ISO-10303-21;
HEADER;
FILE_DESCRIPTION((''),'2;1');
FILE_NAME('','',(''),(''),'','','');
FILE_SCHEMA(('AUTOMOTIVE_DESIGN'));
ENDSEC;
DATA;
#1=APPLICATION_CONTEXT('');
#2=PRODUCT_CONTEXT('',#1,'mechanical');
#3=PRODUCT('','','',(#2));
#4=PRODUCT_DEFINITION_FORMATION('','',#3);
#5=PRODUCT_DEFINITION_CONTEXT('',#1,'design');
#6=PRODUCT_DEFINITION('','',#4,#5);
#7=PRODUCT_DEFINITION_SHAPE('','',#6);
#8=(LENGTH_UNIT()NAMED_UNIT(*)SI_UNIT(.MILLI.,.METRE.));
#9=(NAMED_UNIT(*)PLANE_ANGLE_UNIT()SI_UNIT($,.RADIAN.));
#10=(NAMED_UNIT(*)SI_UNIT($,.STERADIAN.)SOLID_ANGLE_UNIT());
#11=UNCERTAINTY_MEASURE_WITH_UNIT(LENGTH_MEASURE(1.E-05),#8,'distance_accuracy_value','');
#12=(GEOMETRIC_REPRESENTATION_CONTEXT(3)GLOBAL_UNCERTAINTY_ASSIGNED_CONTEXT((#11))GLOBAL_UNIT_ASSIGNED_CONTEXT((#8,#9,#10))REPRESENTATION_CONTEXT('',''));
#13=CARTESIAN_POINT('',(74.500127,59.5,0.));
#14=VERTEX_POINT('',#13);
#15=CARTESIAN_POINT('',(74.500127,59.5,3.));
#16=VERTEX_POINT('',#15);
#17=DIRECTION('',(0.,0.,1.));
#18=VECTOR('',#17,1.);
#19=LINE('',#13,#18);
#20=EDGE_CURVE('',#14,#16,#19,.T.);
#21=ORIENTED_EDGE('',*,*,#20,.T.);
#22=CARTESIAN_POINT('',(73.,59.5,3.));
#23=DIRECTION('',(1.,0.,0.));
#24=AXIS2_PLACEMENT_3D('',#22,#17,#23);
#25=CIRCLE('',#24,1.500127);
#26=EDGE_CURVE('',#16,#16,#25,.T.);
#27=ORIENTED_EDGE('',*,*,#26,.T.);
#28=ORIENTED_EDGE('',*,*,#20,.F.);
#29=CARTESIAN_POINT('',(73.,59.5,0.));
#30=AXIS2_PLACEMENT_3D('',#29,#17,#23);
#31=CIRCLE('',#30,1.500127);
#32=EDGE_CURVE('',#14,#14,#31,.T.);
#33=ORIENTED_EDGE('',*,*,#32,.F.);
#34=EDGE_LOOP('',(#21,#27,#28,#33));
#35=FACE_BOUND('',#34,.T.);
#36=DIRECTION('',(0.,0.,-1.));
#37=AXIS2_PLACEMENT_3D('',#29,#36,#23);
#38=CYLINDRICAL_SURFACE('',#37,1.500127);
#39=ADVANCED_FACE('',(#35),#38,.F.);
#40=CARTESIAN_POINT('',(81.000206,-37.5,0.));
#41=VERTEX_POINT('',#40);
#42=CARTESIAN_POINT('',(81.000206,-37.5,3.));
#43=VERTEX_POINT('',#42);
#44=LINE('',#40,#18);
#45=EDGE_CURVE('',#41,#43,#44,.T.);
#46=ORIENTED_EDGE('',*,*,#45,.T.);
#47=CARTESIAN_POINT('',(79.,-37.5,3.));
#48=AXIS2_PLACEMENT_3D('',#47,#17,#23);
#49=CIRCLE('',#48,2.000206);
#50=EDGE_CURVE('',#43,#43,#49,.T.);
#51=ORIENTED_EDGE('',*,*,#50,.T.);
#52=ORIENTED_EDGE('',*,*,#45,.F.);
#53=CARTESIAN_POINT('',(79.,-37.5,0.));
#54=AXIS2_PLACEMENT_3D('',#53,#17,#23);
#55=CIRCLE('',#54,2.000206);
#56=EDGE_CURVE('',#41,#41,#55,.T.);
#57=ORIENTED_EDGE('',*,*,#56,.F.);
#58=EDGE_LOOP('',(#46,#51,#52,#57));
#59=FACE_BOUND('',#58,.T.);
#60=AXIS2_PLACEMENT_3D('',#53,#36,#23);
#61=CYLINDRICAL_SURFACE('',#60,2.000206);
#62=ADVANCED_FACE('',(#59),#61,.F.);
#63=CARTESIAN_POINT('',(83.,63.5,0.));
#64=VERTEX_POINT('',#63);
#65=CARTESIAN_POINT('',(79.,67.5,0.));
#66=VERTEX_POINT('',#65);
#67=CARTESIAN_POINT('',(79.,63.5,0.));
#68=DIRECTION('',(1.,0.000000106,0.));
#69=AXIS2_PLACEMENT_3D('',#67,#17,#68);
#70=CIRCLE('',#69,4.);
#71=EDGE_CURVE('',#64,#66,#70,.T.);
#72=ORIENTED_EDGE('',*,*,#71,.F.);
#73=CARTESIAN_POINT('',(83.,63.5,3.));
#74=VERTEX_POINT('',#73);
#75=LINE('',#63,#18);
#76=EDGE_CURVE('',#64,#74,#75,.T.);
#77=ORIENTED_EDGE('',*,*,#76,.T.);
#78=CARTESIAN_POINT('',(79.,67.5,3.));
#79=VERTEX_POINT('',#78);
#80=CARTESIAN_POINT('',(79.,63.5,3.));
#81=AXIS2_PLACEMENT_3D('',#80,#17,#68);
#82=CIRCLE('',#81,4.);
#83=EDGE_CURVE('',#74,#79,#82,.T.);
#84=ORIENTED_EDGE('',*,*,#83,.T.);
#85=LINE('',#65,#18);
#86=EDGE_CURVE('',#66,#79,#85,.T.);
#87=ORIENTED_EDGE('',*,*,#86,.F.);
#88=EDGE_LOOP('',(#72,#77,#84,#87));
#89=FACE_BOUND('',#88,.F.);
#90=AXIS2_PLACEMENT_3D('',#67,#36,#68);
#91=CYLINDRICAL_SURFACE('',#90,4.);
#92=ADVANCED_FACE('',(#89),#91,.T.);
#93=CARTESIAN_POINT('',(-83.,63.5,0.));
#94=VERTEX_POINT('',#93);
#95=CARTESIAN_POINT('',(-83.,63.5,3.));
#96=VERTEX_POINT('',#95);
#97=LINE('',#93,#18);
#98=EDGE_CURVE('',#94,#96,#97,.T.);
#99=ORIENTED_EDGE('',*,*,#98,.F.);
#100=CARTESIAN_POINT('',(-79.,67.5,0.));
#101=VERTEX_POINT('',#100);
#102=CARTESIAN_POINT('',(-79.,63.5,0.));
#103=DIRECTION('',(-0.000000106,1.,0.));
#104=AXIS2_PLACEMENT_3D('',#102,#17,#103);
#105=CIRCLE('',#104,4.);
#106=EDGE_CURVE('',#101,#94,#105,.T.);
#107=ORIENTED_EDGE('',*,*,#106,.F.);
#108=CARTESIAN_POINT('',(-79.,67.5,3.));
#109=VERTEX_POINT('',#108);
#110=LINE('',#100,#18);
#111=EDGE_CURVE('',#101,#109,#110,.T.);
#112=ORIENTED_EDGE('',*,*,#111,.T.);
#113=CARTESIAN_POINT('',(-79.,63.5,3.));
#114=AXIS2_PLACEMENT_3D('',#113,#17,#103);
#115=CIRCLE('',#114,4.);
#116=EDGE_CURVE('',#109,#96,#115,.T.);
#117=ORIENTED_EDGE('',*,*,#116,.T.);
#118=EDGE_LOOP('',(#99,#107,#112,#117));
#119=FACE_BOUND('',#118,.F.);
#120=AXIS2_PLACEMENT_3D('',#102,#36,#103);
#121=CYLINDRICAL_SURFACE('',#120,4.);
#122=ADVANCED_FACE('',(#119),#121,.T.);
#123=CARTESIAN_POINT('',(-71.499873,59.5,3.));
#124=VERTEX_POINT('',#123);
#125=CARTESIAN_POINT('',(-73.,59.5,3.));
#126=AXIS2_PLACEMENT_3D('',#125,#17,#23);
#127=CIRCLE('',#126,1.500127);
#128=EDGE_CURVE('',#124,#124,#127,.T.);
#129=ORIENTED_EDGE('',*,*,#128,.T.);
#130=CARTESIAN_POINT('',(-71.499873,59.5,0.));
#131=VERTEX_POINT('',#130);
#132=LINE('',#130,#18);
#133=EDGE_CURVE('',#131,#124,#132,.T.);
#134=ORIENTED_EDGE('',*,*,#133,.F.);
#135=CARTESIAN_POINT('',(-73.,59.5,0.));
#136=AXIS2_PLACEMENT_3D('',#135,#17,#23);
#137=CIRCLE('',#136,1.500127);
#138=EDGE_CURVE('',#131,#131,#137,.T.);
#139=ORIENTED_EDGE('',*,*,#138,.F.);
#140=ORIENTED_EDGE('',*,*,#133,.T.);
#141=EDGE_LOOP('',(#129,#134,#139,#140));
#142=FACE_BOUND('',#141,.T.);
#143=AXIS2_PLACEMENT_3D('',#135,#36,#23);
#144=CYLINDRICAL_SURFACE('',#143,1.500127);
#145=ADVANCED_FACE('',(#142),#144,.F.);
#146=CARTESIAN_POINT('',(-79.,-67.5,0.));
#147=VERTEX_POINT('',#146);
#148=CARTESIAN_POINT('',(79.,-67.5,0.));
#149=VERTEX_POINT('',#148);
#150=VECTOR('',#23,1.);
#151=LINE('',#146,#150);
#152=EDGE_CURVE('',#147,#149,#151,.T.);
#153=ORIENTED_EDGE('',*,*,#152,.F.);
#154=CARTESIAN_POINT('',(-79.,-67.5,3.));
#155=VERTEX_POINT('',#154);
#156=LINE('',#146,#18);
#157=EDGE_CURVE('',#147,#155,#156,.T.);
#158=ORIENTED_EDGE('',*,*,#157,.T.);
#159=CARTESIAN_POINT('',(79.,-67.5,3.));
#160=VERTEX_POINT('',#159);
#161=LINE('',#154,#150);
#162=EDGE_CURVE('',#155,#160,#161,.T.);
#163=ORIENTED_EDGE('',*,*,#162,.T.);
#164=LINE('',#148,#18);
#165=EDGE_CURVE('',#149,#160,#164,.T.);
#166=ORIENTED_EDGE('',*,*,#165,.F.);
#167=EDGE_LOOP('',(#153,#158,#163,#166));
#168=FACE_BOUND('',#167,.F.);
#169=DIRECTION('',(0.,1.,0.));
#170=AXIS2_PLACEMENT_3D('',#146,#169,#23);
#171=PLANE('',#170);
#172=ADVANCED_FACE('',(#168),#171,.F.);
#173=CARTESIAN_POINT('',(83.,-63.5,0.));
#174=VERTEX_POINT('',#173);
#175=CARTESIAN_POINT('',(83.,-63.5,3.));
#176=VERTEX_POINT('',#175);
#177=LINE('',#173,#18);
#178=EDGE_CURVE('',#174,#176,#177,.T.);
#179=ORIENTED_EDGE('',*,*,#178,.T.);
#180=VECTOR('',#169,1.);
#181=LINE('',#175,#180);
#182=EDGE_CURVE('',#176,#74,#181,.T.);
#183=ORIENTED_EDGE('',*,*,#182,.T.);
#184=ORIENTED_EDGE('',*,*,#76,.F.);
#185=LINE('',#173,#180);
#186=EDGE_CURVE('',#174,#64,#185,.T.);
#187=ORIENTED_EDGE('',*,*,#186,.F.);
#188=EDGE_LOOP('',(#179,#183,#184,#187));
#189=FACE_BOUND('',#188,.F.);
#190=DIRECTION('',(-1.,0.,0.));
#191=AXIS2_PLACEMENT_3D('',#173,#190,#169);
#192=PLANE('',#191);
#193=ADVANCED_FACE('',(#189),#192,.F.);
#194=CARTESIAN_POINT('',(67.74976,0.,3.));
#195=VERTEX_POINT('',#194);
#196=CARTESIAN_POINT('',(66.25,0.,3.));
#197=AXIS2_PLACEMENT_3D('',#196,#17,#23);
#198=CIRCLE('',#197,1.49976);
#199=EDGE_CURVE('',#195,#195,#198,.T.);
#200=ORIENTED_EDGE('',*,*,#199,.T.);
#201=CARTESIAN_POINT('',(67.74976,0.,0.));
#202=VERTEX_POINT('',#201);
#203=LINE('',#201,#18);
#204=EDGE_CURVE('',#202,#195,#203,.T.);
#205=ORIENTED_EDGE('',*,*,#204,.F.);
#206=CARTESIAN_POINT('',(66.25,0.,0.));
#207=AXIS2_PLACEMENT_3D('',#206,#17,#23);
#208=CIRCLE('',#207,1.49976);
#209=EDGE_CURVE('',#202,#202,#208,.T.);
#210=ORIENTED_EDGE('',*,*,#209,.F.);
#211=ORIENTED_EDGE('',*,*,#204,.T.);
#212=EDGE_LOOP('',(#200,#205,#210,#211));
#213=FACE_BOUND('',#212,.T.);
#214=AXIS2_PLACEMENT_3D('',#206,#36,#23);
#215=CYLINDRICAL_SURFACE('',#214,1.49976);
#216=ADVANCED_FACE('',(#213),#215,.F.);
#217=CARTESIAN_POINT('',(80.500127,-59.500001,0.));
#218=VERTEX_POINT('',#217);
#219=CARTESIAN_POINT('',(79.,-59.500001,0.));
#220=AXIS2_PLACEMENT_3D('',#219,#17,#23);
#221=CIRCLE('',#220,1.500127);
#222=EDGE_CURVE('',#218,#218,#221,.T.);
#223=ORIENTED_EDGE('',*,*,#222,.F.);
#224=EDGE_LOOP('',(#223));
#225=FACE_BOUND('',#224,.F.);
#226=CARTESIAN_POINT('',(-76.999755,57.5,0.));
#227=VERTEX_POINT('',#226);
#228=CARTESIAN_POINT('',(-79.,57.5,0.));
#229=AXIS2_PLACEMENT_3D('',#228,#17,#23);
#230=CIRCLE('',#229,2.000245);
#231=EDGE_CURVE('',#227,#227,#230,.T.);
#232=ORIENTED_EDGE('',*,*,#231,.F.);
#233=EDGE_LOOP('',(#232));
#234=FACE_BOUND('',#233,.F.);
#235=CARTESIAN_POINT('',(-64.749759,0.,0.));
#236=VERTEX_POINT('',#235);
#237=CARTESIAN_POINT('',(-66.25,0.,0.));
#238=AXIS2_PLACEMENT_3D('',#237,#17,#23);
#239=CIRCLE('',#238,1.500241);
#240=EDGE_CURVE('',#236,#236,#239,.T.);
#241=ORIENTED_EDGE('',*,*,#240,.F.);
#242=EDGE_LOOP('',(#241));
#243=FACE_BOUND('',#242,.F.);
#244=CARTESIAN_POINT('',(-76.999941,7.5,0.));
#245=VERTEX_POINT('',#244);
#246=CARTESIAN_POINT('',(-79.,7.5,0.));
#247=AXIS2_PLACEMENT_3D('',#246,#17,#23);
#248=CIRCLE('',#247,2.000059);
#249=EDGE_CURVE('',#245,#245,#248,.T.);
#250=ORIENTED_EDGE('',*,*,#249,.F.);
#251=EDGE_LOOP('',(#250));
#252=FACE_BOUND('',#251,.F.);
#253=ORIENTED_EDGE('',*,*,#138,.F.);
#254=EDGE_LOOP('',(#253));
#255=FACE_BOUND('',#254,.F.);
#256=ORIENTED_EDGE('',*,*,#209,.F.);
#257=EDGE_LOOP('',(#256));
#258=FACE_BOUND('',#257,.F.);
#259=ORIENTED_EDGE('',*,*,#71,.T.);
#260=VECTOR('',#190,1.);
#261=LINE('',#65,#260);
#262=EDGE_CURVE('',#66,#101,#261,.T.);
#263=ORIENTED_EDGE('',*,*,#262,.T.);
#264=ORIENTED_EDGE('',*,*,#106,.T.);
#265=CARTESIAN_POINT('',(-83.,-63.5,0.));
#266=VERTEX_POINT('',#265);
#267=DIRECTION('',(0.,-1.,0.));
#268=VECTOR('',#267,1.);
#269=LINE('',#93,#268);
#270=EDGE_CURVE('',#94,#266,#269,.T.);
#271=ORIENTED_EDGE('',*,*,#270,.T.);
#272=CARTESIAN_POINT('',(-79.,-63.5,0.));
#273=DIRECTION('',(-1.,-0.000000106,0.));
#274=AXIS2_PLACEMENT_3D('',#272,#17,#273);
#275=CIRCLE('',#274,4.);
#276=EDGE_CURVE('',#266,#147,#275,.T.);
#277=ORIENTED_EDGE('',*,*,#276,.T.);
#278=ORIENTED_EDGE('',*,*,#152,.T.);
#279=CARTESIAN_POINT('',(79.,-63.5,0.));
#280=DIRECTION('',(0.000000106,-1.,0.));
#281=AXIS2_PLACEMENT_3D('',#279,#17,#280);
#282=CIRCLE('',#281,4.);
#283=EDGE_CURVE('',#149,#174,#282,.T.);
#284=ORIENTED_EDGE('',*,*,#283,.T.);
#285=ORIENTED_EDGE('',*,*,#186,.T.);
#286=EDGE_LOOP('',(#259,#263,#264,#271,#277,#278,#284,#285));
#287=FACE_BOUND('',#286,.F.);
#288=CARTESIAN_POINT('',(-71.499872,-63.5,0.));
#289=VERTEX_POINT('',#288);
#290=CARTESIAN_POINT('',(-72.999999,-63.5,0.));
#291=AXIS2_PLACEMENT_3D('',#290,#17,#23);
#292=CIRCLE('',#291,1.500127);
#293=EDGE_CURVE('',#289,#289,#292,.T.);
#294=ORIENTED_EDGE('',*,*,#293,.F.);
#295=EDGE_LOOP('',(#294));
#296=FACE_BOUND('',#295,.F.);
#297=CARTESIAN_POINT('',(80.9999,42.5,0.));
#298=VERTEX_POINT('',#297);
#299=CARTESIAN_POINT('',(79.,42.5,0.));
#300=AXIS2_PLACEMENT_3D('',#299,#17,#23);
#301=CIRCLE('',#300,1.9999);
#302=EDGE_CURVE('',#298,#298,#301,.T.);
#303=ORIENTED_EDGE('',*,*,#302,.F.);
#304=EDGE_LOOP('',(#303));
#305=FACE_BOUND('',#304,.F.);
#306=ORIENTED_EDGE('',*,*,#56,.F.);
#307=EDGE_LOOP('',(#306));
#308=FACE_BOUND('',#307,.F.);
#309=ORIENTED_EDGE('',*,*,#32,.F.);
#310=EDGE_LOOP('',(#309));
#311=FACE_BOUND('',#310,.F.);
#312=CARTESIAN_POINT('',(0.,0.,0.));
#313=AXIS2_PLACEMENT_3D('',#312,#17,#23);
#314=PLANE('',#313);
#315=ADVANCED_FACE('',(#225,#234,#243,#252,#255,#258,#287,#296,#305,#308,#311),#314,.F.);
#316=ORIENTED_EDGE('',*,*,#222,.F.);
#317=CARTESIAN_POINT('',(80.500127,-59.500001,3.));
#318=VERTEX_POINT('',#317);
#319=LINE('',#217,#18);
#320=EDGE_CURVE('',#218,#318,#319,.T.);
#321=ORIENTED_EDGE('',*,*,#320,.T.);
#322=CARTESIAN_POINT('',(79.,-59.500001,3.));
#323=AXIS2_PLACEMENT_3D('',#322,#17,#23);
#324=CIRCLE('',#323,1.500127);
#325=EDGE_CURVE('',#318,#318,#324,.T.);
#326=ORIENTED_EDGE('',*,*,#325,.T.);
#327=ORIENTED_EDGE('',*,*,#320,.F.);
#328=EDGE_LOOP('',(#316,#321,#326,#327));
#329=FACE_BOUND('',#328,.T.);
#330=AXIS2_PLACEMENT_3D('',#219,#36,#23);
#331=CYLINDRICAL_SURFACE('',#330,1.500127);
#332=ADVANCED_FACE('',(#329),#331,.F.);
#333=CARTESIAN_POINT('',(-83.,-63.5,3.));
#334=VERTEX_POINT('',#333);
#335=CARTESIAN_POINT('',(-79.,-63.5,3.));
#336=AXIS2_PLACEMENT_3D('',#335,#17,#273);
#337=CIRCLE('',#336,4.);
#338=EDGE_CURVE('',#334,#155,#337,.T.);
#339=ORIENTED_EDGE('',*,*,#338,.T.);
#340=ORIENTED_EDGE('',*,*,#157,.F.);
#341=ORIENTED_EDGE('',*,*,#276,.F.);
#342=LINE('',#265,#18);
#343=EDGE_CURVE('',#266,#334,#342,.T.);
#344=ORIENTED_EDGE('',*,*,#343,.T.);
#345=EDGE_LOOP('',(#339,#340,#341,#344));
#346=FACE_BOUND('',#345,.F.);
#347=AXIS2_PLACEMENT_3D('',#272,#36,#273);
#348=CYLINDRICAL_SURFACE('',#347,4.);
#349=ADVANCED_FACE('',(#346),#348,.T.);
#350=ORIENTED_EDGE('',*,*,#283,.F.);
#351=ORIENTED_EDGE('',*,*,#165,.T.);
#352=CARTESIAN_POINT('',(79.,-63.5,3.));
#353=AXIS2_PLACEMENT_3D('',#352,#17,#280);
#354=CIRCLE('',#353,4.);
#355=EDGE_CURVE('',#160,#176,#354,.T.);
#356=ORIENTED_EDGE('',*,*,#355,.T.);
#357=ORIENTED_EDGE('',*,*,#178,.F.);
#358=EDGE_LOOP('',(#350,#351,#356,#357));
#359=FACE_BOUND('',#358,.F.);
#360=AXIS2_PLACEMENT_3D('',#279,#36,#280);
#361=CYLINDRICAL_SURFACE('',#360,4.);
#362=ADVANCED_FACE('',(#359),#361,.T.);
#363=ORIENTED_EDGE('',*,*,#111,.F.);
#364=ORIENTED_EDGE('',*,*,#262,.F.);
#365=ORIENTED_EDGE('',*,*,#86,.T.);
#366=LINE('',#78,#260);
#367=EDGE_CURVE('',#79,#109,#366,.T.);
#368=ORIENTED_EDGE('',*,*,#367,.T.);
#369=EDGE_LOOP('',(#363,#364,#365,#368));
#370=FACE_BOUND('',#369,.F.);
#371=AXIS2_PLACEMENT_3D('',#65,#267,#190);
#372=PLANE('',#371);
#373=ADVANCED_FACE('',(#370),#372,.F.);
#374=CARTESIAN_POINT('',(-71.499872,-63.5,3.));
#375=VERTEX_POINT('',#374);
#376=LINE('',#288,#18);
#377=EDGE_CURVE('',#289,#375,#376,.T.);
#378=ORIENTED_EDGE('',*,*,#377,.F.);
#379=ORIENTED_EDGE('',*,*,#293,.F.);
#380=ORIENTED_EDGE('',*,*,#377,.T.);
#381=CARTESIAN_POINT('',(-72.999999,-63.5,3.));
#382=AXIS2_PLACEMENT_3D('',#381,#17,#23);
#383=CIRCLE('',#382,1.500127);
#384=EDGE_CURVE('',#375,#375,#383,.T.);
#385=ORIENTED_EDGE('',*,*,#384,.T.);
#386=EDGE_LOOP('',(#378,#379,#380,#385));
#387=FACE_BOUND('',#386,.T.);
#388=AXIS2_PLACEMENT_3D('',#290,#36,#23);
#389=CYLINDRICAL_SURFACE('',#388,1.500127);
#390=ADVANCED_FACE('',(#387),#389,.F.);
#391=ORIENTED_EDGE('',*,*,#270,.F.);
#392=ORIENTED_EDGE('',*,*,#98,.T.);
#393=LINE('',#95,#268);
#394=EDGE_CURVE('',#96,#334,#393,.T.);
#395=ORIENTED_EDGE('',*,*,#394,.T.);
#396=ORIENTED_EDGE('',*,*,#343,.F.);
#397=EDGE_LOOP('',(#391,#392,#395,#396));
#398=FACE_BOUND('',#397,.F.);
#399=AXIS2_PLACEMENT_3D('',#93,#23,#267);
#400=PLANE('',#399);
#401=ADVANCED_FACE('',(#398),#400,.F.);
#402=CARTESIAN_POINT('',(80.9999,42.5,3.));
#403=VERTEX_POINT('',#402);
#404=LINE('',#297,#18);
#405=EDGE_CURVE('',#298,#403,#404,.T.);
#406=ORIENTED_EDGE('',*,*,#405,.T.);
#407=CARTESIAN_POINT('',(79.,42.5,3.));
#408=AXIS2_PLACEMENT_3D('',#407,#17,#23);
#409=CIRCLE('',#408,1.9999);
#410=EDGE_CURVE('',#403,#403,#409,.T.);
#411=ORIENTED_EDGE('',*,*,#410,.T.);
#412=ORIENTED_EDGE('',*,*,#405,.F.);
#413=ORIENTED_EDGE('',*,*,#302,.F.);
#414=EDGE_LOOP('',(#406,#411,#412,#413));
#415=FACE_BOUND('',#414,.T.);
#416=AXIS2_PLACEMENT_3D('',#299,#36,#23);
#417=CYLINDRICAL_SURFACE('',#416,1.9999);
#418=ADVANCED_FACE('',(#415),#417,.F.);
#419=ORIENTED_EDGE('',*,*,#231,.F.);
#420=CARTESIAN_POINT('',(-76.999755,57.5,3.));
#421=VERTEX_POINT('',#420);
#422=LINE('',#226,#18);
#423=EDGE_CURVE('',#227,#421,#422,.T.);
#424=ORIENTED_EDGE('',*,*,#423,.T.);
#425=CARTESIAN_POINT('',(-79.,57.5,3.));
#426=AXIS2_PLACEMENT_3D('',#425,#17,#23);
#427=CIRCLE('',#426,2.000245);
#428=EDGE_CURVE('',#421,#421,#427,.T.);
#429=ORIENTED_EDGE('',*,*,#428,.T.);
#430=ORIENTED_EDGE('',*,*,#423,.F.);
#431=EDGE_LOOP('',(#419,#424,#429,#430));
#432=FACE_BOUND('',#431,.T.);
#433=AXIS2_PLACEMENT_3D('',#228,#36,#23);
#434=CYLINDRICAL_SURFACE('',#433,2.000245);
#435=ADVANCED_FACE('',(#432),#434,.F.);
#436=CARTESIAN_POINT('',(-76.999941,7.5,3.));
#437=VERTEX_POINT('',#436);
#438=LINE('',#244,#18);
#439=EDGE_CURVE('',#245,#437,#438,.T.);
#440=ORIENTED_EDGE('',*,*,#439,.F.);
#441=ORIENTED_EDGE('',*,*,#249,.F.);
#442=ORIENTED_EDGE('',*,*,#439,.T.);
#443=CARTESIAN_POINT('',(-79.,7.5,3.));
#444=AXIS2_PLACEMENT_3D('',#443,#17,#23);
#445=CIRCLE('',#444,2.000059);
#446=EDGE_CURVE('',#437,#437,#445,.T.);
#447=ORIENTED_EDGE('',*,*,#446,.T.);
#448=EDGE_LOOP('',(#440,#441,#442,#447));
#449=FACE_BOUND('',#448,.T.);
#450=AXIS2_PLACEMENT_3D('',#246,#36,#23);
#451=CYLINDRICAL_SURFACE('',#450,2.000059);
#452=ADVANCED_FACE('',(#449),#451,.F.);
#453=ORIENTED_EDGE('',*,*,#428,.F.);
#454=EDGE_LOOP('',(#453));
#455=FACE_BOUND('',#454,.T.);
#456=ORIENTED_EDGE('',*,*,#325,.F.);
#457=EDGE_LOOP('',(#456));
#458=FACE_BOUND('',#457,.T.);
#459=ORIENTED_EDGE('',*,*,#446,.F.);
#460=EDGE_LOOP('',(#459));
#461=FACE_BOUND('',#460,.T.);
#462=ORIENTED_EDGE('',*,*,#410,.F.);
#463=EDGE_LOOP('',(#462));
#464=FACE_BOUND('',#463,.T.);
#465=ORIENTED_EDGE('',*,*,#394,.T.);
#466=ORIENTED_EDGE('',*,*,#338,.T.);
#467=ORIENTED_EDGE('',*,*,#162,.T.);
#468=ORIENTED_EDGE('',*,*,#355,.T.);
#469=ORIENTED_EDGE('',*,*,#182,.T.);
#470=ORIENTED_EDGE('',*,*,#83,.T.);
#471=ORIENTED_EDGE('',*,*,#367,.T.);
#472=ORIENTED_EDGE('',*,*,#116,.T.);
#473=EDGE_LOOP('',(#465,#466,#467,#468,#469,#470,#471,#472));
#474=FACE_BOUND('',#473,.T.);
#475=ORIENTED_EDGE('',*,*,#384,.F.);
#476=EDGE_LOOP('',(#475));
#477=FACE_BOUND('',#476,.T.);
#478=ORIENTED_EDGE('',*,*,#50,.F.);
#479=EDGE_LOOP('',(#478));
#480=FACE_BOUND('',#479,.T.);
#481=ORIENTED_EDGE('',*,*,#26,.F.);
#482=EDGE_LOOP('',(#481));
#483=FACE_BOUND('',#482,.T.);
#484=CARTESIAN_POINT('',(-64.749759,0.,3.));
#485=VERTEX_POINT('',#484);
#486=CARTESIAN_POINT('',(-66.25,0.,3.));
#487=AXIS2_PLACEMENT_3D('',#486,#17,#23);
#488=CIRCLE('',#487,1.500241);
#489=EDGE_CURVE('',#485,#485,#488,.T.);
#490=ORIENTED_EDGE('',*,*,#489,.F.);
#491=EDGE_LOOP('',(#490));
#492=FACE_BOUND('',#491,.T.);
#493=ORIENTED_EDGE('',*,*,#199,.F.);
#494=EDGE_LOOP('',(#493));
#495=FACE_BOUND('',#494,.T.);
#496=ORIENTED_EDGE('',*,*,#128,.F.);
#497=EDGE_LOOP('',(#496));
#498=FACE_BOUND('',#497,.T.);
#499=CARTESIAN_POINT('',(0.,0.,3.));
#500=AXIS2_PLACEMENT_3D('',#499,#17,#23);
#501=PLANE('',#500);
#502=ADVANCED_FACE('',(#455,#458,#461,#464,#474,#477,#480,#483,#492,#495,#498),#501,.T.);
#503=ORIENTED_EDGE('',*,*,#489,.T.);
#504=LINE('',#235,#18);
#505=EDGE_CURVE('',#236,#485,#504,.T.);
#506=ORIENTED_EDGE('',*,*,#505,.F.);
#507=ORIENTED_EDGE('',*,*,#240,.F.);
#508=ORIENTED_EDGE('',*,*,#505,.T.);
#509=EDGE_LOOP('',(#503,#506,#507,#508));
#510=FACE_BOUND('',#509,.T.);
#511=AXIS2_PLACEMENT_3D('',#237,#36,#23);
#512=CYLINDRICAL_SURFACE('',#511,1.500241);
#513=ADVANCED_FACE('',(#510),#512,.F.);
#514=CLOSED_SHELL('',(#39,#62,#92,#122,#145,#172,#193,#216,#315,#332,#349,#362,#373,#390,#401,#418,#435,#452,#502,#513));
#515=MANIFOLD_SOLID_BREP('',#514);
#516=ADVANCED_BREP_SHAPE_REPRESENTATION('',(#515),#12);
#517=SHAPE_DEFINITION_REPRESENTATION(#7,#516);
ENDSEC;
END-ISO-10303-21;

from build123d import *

# Parameters (mm, degrees)
F0_R     = 1.500127
F0_R_2   = 2.000206
F0_R_3   = 2.000059
F0_R_4   = 1.500241
F0_R_5   = 2.000245
F0_R_6   = 1.49976
F0_R_7   = 1.9999
F1_DEPTH = 3


with BuildPart() as f1:
    # F0 (on Top) → F1 (new body)
    with BuildSketch(Plane.XY):
        with BuildLine():
            ThreePointArc((83, 63.5), (81.828427, 66.328427), (79, 67.5))
            Line((79, 67.5), (-79, 67.5))
            ThreePointArc((-79, 67.5), (-81.828427, 66.328427), (-83, 63.5))
            Line((-83, 63.5), (-83, -63.5))
            ThreePointArc((-83, -63.5), (-81.828427, -66.328427), (-79, -67.5))
            Line((-79, -67.5), (79, -67.5))
            ThreePointArc((79, -67.5), (81.828427, -66.328427), (83, -63.5))
            Line((83, -63.5), (83, 63.5))
        make_face()
        with Locations((-72.999999, -63.5)):
            Circle(F0_R, mode=Mode.SUBTRACT)
        with Locations((79, -59.500001)):
            Circle(F0_R, mode=Mode.SUBTRACT)
        with Locations((79, -37.5)):
            Circle(F0_R_2, mode=Mode.SUBTRACT)
        with Locations((-79, 7.5)):
            Circle(F0_R_3, mode=Mode.SUBTRACT)
        with Locations((-66.25, 0)):
            Circle(F0_R_4, mode=Mode.SUBTRACT)
        with Locations((-79, 57.5)):
            Circle(F0_R_5, mode=Mode.SUBTRACT)
        with Locations((-73, 59.5)):
            Circle(F0_R, mode=Mode.SUBTRACT)
        with Locations((66.25, 0)):
            Circle(F0_R_6, mode=Mode.SUBTRACT)
        with Locations((79, 42.5)):
            Circle(F0_R_7, mode=Mode.SUBTRACT)
        with Locations((73, 59.5)):
            Circle(F0_R, mode=Mode.SUBTRACT)
    extrude(amount=F1_DEPTH)


solid = f1.part
